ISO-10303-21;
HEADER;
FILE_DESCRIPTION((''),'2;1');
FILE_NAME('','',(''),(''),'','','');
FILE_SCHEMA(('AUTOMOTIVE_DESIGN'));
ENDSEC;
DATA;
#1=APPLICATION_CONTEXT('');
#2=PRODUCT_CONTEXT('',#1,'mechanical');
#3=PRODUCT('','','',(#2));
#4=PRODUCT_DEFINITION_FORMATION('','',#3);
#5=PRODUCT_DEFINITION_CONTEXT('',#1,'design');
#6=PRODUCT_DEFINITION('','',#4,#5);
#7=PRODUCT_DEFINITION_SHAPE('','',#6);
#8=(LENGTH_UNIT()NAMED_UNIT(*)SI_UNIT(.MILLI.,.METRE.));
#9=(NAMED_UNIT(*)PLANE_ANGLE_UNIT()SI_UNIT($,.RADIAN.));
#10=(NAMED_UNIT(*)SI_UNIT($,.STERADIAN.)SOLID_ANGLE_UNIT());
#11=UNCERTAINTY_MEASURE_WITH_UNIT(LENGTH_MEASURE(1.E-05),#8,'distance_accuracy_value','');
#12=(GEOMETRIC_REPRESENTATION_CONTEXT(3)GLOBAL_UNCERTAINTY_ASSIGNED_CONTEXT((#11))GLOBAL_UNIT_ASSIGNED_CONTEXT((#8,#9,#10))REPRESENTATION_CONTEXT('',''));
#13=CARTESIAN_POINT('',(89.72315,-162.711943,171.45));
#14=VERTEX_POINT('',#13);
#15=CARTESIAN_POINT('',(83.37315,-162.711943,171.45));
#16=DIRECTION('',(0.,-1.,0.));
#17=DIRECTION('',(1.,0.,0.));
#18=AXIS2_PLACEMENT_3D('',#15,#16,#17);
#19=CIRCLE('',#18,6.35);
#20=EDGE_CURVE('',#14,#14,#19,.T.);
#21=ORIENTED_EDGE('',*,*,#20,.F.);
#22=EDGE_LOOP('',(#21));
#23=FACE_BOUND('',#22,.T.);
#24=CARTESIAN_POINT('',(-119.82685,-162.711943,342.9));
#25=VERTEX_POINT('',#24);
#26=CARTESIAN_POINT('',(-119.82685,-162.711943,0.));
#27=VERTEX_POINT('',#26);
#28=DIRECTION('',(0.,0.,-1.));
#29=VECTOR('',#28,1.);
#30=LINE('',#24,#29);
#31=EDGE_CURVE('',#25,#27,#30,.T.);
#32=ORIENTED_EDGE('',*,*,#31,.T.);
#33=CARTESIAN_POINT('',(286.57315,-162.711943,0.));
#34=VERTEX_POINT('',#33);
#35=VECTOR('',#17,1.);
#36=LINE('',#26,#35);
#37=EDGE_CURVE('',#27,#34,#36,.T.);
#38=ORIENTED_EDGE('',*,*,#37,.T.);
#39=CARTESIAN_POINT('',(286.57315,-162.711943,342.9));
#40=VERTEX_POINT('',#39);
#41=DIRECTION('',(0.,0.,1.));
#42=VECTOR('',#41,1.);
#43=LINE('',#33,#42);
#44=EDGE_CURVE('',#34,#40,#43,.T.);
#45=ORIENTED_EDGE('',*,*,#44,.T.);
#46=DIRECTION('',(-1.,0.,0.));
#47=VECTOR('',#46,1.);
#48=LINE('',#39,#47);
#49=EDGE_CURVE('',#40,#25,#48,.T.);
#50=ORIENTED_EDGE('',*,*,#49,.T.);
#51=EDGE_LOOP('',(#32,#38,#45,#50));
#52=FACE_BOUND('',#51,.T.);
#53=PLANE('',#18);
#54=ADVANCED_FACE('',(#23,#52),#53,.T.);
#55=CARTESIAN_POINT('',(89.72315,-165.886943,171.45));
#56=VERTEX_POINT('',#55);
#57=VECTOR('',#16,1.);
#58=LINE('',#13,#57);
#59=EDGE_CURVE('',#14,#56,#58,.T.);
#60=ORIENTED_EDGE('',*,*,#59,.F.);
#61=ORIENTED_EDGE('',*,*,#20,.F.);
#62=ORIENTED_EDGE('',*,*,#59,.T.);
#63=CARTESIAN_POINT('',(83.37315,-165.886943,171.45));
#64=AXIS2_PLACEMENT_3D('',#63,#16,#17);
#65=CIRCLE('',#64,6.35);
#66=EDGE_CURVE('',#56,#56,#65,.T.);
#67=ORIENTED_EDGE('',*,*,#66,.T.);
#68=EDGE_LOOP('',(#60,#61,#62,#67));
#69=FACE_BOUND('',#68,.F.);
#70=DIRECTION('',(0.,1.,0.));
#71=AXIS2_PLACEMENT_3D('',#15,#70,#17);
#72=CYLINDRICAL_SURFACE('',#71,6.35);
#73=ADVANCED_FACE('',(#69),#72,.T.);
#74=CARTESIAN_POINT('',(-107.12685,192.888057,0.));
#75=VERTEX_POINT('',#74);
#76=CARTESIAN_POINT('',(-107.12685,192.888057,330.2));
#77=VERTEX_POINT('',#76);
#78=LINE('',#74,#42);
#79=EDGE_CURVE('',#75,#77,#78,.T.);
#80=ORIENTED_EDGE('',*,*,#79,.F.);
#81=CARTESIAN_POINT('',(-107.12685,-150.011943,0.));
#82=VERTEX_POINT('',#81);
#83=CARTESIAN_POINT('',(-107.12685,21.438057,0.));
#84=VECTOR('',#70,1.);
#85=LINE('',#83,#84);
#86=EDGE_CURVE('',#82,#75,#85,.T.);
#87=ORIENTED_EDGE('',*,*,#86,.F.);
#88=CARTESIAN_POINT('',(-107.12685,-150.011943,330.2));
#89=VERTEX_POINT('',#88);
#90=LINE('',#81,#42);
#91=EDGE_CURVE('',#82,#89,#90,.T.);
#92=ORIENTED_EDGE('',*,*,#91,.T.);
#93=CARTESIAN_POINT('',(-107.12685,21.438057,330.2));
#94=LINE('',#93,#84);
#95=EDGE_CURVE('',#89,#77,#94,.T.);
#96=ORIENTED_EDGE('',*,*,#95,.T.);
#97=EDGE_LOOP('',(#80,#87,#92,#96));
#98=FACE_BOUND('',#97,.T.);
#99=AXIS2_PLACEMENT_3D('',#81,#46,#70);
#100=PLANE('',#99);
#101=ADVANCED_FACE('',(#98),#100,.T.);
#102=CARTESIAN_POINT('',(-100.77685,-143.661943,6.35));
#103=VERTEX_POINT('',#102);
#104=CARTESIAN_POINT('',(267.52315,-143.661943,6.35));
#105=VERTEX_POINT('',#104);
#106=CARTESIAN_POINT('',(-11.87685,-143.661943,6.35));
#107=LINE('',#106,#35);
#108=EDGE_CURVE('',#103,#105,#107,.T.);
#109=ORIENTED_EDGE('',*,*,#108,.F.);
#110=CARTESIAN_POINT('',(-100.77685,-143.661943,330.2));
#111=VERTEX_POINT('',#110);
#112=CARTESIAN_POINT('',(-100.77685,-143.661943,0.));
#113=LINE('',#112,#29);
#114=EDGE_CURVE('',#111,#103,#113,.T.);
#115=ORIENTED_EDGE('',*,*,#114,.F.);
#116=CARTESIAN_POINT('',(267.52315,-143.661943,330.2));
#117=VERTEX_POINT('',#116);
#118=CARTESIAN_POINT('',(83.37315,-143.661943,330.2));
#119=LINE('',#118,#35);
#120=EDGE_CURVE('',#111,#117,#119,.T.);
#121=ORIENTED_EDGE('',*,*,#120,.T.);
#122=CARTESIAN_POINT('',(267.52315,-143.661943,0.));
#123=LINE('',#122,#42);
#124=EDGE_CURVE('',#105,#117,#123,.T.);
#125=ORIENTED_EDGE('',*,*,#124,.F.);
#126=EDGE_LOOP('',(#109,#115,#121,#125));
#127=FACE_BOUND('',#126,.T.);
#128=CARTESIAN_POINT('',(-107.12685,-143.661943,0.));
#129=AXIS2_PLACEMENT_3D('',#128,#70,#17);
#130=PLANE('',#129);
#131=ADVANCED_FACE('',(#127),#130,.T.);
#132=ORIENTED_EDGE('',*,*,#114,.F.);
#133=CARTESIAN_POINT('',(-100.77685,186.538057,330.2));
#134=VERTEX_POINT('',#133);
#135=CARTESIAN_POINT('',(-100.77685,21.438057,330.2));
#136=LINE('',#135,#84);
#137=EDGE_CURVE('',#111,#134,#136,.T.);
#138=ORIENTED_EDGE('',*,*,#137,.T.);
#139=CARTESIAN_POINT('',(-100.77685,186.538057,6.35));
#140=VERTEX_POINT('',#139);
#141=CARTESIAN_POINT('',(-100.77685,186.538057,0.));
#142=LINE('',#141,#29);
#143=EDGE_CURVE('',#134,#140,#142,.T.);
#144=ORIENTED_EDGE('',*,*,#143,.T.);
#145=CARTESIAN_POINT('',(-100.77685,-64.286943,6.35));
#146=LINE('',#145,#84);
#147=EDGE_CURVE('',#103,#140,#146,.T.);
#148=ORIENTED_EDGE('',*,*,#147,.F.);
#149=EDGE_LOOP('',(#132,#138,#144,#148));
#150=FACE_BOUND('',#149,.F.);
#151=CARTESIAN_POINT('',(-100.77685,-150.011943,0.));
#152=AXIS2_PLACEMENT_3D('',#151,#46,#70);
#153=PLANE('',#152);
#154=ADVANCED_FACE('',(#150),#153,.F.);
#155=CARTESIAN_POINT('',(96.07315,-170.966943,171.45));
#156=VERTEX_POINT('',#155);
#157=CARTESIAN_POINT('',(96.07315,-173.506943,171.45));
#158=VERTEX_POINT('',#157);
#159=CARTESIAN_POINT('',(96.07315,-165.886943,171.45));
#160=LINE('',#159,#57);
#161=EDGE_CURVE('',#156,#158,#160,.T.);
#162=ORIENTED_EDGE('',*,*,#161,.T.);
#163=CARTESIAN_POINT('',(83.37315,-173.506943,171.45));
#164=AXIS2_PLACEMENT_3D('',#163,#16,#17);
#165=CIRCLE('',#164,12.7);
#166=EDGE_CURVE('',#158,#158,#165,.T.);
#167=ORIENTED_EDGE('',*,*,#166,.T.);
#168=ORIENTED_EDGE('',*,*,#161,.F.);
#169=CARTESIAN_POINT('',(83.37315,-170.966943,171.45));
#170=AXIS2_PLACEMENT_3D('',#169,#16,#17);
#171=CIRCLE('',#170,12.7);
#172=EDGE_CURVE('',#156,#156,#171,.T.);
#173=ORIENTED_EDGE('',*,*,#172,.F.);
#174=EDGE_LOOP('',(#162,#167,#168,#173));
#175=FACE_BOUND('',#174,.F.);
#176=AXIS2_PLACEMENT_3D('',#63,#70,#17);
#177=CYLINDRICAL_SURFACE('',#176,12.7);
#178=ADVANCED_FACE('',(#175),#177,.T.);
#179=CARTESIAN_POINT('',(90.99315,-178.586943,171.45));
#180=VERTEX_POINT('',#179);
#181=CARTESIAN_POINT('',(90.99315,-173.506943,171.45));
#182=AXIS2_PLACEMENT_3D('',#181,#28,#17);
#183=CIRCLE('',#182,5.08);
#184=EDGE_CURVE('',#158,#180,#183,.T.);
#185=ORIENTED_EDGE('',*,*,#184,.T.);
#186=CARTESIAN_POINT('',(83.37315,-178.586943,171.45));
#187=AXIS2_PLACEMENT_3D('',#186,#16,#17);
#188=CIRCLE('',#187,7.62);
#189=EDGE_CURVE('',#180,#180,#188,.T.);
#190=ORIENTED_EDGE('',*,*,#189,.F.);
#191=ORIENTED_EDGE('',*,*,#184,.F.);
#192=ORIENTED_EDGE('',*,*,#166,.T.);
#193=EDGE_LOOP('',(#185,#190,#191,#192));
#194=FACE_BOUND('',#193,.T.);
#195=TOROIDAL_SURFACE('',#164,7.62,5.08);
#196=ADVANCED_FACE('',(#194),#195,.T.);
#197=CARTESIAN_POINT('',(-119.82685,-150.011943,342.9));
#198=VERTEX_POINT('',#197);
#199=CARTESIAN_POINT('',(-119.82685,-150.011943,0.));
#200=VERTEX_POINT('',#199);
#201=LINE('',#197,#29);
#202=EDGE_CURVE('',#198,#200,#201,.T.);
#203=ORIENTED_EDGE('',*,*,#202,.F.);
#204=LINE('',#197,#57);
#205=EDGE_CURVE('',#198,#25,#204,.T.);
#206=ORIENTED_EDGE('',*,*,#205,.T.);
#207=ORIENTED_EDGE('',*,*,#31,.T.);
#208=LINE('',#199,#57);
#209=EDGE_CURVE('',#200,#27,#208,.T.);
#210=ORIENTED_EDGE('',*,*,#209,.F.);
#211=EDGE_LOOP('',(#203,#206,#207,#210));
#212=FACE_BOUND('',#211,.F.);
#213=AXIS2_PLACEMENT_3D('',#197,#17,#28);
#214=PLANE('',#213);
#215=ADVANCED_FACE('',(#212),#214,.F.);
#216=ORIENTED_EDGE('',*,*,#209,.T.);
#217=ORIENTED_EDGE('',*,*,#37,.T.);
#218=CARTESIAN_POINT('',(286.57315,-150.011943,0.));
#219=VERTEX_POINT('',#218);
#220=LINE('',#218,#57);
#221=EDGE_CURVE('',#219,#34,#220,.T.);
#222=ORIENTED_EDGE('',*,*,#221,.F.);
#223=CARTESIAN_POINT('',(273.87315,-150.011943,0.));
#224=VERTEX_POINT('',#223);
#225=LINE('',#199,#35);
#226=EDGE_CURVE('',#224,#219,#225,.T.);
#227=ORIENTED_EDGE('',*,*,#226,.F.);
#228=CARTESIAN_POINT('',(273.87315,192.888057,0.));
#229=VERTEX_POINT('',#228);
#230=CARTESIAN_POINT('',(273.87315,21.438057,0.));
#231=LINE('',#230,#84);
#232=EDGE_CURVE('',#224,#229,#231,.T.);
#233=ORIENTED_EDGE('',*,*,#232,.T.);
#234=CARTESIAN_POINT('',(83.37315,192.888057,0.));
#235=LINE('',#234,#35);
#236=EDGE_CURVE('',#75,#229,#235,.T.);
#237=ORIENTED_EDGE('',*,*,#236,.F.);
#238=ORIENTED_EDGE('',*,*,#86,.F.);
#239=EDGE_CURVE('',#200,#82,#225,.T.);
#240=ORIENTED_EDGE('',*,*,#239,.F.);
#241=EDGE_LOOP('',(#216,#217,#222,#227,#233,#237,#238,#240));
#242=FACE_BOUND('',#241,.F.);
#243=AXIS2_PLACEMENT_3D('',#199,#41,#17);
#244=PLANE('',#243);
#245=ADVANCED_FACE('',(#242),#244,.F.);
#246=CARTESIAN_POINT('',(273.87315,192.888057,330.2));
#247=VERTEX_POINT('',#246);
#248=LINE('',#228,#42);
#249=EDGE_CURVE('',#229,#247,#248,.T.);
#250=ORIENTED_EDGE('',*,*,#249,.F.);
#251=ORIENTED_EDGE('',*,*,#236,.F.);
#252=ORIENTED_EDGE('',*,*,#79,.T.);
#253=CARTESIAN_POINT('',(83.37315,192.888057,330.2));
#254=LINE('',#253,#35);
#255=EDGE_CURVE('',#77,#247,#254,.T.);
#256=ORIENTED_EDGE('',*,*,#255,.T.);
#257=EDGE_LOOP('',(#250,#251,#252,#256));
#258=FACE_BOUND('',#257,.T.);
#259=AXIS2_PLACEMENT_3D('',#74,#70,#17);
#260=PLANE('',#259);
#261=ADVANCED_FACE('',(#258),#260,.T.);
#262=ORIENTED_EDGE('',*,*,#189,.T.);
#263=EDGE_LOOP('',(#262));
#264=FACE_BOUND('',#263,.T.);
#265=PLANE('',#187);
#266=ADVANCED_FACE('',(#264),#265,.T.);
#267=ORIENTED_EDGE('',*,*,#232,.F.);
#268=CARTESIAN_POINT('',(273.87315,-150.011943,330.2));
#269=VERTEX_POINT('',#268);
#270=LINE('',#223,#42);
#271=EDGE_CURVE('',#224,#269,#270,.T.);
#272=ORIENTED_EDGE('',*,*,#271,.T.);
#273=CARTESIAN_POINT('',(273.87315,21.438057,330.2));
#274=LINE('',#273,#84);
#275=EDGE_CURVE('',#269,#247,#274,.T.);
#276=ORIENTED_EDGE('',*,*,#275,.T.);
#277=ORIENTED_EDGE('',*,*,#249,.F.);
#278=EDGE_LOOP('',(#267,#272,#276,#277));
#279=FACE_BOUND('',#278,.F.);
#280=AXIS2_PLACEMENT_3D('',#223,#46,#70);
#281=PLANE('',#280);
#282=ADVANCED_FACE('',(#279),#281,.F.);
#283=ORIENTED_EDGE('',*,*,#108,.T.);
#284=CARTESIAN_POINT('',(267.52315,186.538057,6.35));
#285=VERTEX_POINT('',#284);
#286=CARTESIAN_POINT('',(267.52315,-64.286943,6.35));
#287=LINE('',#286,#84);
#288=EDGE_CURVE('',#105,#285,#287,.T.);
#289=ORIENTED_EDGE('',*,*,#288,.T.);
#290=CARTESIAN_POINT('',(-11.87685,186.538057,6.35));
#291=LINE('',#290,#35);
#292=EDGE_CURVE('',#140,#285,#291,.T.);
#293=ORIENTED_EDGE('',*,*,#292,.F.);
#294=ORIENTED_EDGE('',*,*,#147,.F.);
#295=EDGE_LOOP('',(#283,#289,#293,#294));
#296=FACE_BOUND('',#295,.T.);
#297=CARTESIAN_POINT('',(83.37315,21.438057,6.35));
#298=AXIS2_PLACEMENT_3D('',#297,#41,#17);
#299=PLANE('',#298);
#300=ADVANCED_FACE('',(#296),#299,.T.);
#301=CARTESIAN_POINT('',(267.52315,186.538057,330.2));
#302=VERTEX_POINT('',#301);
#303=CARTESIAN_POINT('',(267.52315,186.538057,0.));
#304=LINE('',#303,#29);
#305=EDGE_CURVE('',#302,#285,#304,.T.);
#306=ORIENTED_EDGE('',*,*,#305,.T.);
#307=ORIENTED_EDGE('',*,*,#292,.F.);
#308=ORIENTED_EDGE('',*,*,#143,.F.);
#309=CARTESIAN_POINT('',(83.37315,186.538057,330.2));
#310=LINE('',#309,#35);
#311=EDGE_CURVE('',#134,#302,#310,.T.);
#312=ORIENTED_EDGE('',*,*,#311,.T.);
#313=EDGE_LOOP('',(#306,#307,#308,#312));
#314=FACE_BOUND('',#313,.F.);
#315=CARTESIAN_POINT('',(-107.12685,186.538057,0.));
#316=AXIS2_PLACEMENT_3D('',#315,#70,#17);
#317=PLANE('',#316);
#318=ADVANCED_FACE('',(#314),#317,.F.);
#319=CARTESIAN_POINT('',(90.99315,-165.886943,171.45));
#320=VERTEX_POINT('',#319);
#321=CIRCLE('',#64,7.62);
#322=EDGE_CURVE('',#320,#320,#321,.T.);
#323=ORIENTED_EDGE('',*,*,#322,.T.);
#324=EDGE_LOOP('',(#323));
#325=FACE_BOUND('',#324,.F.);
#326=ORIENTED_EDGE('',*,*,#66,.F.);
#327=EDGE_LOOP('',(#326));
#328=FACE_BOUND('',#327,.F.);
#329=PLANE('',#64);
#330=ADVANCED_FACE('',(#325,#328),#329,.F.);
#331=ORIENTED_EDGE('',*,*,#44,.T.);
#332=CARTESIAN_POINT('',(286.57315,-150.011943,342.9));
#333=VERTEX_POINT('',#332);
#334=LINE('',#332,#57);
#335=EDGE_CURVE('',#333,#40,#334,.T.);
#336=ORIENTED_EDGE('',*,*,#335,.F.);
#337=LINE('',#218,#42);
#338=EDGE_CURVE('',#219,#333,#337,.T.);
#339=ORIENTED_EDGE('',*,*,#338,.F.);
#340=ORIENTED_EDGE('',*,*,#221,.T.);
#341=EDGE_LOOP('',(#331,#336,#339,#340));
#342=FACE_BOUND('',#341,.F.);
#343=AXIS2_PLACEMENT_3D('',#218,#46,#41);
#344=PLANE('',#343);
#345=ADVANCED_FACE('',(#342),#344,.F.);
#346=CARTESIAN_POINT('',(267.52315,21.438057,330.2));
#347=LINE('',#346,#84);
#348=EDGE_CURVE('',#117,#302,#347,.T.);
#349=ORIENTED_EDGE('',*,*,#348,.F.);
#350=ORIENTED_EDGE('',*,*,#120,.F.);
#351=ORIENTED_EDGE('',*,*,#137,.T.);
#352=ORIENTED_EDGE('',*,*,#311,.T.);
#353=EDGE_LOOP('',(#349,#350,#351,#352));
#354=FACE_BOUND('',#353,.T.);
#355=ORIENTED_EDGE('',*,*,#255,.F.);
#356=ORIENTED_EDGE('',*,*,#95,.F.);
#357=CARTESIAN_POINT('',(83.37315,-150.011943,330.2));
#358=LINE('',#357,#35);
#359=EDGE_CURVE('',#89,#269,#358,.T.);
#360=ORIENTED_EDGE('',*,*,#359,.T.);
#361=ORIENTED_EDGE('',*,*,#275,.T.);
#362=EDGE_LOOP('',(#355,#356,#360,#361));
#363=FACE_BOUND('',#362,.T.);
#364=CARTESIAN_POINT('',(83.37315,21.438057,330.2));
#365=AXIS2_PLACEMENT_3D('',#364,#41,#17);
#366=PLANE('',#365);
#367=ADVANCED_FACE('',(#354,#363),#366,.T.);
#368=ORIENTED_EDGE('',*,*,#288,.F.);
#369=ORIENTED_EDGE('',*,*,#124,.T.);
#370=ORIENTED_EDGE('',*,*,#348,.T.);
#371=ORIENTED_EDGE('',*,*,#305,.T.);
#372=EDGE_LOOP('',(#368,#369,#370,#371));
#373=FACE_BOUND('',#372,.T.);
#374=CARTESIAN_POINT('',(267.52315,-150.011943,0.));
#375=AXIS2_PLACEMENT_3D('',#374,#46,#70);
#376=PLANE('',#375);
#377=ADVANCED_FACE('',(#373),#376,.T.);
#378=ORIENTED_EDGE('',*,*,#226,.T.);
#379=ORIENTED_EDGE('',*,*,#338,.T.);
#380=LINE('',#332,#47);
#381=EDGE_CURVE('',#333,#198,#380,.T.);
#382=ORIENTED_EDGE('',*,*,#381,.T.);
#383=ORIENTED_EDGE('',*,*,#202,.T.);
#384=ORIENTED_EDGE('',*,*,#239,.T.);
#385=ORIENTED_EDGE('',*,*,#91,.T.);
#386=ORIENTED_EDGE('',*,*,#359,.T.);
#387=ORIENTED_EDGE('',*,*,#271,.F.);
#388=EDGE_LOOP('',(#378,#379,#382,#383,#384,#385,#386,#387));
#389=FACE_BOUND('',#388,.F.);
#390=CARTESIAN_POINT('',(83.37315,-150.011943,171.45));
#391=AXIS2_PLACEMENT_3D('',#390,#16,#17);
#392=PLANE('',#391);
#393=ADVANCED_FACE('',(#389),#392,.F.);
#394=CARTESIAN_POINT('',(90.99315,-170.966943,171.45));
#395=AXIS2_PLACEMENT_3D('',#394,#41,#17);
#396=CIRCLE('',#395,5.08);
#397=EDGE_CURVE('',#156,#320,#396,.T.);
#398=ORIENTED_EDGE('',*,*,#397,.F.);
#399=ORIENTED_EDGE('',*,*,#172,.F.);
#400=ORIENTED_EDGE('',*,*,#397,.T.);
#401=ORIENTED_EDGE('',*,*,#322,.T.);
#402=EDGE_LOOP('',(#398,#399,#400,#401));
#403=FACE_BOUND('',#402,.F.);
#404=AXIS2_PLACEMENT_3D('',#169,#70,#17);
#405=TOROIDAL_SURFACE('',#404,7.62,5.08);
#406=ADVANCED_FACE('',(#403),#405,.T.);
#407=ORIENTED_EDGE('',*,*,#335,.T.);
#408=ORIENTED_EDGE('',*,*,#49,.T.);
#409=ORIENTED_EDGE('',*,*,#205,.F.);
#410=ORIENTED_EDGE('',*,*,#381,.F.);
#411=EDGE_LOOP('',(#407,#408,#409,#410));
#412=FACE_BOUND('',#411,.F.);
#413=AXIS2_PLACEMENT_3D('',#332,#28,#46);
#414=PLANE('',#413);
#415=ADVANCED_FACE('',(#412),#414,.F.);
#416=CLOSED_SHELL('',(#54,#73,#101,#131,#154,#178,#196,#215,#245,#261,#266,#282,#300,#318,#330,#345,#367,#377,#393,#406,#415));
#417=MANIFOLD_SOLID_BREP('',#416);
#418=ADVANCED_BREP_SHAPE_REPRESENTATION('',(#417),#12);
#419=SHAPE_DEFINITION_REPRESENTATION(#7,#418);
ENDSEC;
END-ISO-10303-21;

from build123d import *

# Parameters (mm, degrees)
F0_W     = 381
F0_H     = 342.9
F1_DEPTH = 330.2
F2_T     = -6.35
F4_DEPTH = 12.7
F5_R     = 6.35
F6_DEPTH = 3.175
F7_R     = 12.7
F8_DEPTH = 12.7
F9_R     = 5.08


with BuildPart() as f1:
    # F0 (on Top) → F1 (new body)
    with BuildSketch(Plane.XY):
        with Locations((83.37315, 21.438057)):
            Rectangle(F0_W, F0_H)
    extrude(amount=F1_DEPTH)

    # F2
    f2_openings = [f1.faces().sort_by_distance(p)[0] for p in [
        (83.37315, 21.438057, 330.2),
    ]]
    offset(amount=F2_T, openings=f2_openings)

    # F3 (on face) → F4 (join)
    with BuildSketch(Plane.XZ.offset(150.011943)):
        Polygon((286.57315, 0), (286.57315, 342.9), (-119.82685, 342.9), (-119.82685, 0), (-107.12685, 0), (273.87315, 0), align=None)
    extrude(amount=F4_DEPTH)

    # F5 (on face) → F6 (join)
    with BuildSketch(Plane.XZ.offset(162.711943)):
        with Locations((83.37315, 171.45)):
            Circle(F5_R)
    extrude(amount=F6_DEPTH)

    # F7 (on face) → F8 (join)
    with BuildSketch(Plane.XZ.offset(165.886943)):
        with Locations((83.37315, 171.45)):
            Circle(F7_R)
    extrude(amount=F8_DEPTH)

    # F9
    f9_edges = [f1.edges().sort_by_distance(p)[0] for p in [
        (70.67315, -178.586943, 171.45),
        (70.67315, -165.886943, 171.45),
    ]]
    fillet(f9_edges, radius=F9_R)


solid = f1.part
